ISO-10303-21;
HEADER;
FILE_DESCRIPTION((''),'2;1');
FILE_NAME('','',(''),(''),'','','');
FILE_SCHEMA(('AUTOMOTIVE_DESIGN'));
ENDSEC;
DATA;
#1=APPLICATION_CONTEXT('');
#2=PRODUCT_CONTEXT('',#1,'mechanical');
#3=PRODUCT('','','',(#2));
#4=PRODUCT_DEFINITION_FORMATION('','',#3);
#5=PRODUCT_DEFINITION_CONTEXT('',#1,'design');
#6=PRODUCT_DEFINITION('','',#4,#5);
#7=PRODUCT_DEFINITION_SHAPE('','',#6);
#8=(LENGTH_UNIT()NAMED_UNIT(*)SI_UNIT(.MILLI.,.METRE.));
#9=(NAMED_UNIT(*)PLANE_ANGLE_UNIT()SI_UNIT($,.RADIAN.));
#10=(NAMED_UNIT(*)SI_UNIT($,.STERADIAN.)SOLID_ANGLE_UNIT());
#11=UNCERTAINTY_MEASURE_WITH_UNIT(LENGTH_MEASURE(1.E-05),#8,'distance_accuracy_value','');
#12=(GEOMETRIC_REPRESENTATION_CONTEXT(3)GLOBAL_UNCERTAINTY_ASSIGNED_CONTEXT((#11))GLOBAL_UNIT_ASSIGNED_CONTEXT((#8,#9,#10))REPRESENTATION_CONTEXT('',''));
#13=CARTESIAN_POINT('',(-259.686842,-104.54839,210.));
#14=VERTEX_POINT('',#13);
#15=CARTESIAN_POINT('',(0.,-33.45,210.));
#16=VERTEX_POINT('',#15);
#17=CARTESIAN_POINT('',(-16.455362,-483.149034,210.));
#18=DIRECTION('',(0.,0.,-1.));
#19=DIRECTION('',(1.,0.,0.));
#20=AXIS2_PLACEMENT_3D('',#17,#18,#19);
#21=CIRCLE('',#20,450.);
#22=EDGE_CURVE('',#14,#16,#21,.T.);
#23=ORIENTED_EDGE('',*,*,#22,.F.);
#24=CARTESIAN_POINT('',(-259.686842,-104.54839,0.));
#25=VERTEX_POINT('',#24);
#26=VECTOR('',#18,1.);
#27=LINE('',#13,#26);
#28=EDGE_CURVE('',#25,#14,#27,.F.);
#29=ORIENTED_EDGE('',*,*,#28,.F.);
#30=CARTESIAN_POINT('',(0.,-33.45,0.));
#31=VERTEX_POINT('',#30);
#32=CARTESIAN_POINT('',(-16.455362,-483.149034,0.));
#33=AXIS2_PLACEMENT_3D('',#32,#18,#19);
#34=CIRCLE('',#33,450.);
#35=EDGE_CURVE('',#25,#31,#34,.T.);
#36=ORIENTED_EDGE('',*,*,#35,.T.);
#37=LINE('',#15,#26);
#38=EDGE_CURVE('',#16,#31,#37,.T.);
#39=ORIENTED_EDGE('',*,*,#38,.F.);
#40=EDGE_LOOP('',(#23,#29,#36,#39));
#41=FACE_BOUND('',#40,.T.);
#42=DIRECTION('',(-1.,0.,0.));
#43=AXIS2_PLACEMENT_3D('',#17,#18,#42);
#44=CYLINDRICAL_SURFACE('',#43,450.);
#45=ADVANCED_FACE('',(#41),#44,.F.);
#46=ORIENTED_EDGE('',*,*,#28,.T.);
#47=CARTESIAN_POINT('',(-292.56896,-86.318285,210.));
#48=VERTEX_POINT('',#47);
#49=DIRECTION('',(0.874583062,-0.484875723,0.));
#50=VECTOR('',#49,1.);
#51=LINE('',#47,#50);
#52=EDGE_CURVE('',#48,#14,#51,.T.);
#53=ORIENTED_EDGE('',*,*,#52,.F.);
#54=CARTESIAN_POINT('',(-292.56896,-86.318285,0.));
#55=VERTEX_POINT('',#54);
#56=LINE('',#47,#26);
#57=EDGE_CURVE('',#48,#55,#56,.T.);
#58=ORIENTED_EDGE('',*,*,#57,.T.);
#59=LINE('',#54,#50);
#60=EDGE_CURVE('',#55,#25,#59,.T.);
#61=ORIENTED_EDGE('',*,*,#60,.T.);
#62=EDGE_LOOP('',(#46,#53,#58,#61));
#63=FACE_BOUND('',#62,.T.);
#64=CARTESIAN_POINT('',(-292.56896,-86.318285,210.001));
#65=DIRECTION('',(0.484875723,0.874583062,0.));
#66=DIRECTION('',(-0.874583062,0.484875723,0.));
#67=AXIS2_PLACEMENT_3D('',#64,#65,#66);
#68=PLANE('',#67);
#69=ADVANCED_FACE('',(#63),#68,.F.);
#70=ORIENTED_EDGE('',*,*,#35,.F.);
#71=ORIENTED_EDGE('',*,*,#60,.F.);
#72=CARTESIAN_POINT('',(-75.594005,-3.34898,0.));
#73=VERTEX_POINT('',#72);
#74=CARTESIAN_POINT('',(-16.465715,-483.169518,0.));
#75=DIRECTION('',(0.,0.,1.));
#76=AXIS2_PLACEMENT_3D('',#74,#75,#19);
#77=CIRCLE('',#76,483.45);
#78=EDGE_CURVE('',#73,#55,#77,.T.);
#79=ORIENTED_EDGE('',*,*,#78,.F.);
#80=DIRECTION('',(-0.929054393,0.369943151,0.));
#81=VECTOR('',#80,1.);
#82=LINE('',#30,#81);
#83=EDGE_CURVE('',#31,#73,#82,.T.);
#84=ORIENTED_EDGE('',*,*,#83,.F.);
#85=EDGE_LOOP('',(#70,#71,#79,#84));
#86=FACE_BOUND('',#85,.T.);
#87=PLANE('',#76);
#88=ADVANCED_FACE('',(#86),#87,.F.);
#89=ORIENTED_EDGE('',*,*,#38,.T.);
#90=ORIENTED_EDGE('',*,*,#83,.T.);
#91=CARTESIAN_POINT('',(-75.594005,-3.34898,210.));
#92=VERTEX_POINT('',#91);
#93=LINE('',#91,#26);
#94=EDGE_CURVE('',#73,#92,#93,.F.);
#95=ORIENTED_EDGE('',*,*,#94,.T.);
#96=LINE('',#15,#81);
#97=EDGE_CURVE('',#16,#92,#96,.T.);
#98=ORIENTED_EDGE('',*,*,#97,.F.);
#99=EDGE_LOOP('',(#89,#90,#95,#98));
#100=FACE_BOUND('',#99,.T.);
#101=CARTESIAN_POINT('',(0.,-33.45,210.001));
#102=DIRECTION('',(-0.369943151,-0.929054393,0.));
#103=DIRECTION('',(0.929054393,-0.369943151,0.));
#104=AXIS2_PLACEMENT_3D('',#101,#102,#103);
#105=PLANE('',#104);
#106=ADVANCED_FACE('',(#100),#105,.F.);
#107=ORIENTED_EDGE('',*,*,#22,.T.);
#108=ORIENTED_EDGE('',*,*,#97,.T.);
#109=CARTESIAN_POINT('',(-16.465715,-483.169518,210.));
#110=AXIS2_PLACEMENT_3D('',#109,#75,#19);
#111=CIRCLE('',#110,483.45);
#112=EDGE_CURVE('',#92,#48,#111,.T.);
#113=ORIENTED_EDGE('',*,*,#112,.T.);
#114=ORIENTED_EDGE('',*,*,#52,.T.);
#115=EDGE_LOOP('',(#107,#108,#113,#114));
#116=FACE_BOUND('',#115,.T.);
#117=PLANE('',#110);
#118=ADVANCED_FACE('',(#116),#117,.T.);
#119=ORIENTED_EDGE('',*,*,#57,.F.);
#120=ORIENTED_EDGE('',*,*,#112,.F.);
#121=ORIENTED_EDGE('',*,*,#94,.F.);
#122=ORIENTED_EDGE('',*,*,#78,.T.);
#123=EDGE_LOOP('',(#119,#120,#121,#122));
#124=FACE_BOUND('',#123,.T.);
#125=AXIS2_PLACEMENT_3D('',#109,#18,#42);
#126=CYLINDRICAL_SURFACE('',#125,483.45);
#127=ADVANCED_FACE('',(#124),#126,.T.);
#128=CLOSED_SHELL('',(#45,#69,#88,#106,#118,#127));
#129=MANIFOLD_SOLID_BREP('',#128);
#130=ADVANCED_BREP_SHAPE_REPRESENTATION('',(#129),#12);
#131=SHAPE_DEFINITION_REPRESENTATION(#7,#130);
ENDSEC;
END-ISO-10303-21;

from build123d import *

# Parameters (mm, degrees)
BOSS_EXTRUDE1_DEPTH = 210
CUT_EXTRUDE1_REACH  = 379.535
CUT_EXTRUDE2_REACH  = 377.003


with BuildPart() as part:
    # Sketch1 → Boss-Extrude1 (new body)
    with BuildSketch(Plane.XY):
        with BuildLine():
            Line((0, 0), (0, -33.45))
            ThreePointArc((0, -33.45), (-142.866754092, -51.269235769), (-272.793704391, -113.296827807))
            Line((-272.793704391, -113.296827807), (-292.568960472, -86.318285465))
            ThreePointArc((-292.568960472, -86.318285465), (-153.270771234, -19.479665275), (0, 0))
        make_face()
    extrude(amount=BOSS_EXTRUDE1_DEPTH)

    # Sketch3 → Cut-Extrude1 (cut, up to next)
    with BuildSketch(Plane(origin=(0, 0, 0), x_dir=(-1, 0, 0), z_dir=(0, 0, -1)), mode=Mode.PRIVATE) as cut_extrude1_sk1:
        Polygon((292.568960472, -86.318285465), (255.457097019, -106.893394239), (272.793704391, -113.296827807), align=None)
    cut_extrude1_tool1 = extrude(cut_extrude1_sk1.sketch, amount=-CUT_EXTRUDE1_REACH, mode=Mode.PRIVATE) & part.part
    add(cut_extrude1_tool1.solids().sort_by_distance((-273.606587, -102.169503, 0))[0], mode=Mode.SUBTRACT)

    # Sketch4 → Cut-Extrude2 (cut, up to next)
    with BuildSketch(Plane(origin=(0, 0, 0), x_dir=(-1, 0, 0), z_dir=(0, 0, -1)), mode=Mode.PRIVATE) as cut_extrude2_sk1:
        Polygon((0, -33.45), (84.004446004, 0), (0, 0), align=None)
    cut_extrude2_tool1 = extrude(cut_extrude2_sk1.sketch, amount=-CUT_EXTRUDE2_REACH, mode=Mode.PRIVATE) & part.part
    add(cut_extrude2_tool1.solids().sort_by_distance((-28.001482, -11.15, 0))[0], mode=Mode.SUBTRACT)


with BuildPart() as cut_extrude2_kept_piece:
    # of the separate pieces the step leaves, the one the design keeps (cut_extrude2_pieces_kept)
    add(part.part.solids().sort_by_distance((-292.568960472, -86.318285465, 0))[0])


solid = cut_extrude2_kept_piece.part
